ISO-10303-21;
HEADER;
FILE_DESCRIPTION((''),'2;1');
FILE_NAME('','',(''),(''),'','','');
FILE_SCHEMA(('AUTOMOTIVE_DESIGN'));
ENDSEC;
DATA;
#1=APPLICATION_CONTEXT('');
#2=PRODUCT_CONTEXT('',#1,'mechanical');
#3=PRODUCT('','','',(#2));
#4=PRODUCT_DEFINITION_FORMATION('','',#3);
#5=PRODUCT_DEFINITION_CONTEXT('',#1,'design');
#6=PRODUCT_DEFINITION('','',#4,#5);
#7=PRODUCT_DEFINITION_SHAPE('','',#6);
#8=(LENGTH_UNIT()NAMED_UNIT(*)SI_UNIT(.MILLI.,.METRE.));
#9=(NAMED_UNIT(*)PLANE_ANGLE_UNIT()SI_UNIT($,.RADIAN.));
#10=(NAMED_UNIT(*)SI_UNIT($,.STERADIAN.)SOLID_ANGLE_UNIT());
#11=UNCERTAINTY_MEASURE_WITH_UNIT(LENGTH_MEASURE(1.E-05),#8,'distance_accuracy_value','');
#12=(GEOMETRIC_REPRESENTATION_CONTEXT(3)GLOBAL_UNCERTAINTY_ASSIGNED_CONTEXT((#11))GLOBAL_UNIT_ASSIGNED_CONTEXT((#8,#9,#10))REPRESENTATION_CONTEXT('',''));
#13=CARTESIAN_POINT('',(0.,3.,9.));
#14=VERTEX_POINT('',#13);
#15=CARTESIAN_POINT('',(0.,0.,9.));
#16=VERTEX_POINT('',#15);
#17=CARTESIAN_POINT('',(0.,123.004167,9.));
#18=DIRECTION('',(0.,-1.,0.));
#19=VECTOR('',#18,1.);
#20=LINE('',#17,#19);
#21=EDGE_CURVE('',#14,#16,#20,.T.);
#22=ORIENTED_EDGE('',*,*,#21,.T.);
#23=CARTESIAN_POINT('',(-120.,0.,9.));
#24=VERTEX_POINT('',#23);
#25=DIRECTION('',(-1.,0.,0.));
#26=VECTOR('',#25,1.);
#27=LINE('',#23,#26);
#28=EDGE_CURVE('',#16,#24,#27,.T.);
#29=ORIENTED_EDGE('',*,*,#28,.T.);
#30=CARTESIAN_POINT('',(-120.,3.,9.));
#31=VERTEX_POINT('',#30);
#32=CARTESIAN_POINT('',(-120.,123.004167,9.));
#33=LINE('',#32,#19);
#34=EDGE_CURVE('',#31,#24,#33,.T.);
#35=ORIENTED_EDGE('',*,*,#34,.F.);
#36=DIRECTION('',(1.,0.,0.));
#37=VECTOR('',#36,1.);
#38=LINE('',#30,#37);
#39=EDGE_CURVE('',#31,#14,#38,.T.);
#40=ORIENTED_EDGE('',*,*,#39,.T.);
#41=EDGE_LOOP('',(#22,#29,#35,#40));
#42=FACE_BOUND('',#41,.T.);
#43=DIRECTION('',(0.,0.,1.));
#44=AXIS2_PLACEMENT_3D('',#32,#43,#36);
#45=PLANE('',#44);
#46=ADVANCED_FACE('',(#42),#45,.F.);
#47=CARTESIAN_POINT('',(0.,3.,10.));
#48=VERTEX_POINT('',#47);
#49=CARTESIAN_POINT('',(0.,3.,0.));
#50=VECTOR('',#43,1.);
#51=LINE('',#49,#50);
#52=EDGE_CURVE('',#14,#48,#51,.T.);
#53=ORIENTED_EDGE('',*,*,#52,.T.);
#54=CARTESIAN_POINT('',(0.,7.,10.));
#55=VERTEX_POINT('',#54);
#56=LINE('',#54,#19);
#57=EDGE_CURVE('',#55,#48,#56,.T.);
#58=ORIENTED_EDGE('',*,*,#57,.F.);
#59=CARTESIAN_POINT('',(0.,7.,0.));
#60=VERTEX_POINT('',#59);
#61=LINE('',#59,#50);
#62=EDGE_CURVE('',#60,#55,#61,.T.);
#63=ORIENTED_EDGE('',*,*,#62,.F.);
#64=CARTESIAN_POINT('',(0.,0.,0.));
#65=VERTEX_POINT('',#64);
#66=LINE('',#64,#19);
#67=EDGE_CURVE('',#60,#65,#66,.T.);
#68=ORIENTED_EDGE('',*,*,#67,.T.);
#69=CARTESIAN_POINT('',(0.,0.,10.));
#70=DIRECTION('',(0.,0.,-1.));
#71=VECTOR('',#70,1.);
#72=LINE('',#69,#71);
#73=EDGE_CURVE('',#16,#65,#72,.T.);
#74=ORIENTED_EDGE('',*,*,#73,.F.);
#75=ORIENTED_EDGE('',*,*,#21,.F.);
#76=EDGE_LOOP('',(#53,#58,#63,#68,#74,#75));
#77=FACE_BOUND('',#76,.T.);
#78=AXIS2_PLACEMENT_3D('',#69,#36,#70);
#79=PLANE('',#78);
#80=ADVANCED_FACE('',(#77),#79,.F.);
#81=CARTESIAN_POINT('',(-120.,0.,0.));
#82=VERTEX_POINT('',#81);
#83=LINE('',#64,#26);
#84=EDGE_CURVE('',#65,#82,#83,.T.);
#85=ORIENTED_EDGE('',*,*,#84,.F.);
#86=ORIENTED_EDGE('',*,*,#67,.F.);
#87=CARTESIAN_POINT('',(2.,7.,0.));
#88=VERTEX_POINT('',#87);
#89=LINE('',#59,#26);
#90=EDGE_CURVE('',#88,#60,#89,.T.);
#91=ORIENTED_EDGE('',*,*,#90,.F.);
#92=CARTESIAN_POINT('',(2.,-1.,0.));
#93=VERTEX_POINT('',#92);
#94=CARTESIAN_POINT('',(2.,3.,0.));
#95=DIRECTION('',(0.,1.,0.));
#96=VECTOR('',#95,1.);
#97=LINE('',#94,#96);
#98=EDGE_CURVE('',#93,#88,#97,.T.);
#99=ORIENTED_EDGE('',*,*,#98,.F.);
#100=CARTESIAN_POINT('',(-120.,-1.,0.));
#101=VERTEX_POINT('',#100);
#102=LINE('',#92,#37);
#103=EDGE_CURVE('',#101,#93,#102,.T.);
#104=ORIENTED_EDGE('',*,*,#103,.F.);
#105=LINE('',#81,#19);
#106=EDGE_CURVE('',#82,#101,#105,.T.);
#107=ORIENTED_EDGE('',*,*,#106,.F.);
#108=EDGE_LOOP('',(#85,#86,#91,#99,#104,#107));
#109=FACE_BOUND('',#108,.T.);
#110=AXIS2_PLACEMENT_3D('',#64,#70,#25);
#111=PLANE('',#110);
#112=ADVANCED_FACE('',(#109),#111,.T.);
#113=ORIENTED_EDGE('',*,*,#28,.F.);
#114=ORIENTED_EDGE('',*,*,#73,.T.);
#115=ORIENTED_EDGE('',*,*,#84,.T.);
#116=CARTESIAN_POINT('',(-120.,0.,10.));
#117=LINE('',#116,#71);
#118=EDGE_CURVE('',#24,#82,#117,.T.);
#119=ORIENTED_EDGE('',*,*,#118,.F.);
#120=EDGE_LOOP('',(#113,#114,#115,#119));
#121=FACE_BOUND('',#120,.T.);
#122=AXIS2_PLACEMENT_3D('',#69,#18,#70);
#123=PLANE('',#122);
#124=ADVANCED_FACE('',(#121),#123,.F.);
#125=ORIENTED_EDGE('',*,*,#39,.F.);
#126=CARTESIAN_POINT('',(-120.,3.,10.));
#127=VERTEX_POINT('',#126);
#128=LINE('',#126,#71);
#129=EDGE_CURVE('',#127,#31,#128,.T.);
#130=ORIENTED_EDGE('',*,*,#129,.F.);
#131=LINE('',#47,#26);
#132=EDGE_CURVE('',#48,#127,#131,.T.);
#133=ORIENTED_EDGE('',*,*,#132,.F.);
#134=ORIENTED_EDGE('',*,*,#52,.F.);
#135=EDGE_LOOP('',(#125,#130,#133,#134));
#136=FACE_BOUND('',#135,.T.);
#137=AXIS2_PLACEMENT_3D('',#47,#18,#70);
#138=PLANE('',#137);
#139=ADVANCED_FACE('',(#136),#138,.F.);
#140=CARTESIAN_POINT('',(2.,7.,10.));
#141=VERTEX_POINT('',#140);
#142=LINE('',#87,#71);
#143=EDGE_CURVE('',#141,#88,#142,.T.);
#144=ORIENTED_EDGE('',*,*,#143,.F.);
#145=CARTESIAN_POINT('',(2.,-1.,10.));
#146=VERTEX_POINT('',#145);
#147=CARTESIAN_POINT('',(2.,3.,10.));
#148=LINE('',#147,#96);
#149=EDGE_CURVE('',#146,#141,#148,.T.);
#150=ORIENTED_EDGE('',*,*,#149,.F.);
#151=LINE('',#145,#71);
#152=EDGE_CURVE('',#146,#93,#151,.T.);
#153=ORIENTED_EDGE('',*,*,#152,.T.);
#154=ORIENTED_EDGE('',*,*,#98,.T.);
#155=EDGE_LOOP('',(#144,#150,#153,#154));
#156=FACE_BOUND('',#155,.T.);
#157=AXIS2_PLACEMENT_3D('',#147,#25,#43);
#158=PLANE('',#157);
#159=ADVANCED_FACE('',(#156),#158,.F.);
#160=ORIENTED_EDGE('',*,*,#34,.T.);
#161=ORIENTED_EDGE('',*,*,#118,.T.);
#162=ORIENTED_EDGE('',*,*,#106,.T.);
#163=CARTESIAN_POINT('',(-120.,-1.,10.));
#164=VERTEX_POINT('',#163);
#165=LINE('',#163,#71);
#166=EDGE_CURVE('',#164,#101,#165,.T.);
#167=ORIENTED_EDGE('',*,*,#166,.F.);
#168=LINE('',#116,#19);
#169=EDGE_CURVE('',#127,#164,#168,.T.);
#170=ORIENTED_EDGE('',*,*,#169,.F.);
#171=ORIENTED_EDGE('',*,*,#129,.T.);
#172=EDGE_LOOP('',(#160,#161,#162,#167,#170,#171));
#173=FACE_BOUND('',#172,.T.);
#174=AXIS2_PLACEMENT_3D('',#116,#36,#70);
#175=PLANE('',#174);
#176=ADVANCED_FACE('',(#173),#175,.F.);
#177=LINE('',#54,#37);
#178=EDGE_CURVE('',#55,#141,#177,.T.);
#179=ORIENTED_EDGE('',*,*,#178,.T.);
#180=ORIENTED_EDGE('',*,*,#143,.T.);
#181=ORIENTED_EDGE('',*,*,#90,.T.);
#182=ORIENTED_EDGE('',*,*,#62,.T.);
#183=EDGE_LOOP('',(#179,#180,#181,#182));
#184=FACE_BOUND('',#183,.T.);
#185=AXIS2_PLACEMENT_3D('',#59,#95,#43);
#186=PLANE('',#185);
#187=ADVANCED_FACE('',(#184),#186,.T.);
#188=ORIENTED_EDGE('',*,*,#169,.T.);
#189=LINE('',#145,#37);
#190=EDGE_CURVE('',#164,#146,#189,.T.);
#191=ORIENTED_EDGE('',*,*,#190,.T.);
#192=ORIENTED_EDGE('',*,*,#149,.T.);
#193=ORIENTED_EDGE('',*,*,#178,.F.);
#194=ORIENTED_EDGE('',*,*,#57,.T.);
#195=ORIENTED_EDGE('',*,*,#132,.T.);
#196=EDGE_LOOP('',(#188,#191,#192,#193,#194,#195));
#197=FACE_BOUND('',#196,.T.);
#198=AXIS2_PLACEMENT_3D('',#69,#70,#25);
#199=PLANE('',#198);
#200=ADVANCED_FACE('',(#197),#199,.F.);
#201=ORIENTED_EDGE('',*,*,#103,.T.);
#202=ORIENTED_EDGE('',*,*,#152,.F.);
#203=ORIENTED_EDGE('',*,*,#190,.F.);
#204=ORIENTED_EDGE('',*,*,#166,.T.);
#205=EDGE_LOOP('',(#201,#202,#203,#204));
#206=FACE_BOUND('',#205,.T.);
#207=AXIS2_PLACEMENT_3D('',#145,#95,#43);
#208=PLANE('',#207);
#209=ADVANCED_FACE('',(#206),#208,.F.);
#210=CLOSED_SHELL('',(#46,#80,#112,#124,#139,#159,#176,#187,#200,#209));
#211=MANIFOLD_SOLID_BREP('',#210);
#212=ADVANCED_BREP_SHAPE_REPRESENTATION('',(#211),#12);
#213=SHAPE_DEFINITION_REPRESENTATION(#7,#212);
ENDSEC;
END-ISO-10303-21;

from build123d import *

# Parameters (mm, degrees)
Y_KSEKLIK_EKSTR_ZYON1_DEPTH = 10
IZIM2_W                     = 120
IZIM2_H                     = 1
Y_KSEKLIK_EKSTR_ZYON2_DEPTH = 3
IZIM4_W                     = 2
IZIM4_H                     = 10
Y_KSEKLIK_EKSTR_ZYON3_DEPTH = 4


with BuildPart() as part:
    # Çizim1 → Yükseklik-Ekstrüzyon1 (new body)
    with BuildSketch(Plane.XY):
        Polygon((0, 0), (-120, 0), (-120, -1), (2, -1), (2, 3), (0, 3), align=None)
    extrude(amount=Y_KSEKLIK_EKSTR_ZYON1_DEPTH)

    # Çizim2 → Yükseklik-Ekstrüzyon2 (add)
    with BuildSketch(Plane(origin=(0, 0, 0), x_dir=(1, 0, 0), z_dir=(0, 1, 0))):
        with Locations((-60, -9.5)):
            Rectangle(IZIM2_W, IZIM2_H)
    extrude(amount=Y_KSEKLIK_EKSTR_ZYON2_DEPTH)

    # Çizim4 → Yükseklik-Ekstrüzyon3 (add)
    with BuildSketch(Plane(origin=(0, 3, 0), x_dir=(1, 0, 0), z_dir=(0, 1, 0))):
        with Locations((1, -5)):
            Rectangle(IZIM4_W, IZIM4_H)
    extrude(amount=Y_KSEKLIK_EKSTR_ZYON3_DEPTH)


solid = part.part
